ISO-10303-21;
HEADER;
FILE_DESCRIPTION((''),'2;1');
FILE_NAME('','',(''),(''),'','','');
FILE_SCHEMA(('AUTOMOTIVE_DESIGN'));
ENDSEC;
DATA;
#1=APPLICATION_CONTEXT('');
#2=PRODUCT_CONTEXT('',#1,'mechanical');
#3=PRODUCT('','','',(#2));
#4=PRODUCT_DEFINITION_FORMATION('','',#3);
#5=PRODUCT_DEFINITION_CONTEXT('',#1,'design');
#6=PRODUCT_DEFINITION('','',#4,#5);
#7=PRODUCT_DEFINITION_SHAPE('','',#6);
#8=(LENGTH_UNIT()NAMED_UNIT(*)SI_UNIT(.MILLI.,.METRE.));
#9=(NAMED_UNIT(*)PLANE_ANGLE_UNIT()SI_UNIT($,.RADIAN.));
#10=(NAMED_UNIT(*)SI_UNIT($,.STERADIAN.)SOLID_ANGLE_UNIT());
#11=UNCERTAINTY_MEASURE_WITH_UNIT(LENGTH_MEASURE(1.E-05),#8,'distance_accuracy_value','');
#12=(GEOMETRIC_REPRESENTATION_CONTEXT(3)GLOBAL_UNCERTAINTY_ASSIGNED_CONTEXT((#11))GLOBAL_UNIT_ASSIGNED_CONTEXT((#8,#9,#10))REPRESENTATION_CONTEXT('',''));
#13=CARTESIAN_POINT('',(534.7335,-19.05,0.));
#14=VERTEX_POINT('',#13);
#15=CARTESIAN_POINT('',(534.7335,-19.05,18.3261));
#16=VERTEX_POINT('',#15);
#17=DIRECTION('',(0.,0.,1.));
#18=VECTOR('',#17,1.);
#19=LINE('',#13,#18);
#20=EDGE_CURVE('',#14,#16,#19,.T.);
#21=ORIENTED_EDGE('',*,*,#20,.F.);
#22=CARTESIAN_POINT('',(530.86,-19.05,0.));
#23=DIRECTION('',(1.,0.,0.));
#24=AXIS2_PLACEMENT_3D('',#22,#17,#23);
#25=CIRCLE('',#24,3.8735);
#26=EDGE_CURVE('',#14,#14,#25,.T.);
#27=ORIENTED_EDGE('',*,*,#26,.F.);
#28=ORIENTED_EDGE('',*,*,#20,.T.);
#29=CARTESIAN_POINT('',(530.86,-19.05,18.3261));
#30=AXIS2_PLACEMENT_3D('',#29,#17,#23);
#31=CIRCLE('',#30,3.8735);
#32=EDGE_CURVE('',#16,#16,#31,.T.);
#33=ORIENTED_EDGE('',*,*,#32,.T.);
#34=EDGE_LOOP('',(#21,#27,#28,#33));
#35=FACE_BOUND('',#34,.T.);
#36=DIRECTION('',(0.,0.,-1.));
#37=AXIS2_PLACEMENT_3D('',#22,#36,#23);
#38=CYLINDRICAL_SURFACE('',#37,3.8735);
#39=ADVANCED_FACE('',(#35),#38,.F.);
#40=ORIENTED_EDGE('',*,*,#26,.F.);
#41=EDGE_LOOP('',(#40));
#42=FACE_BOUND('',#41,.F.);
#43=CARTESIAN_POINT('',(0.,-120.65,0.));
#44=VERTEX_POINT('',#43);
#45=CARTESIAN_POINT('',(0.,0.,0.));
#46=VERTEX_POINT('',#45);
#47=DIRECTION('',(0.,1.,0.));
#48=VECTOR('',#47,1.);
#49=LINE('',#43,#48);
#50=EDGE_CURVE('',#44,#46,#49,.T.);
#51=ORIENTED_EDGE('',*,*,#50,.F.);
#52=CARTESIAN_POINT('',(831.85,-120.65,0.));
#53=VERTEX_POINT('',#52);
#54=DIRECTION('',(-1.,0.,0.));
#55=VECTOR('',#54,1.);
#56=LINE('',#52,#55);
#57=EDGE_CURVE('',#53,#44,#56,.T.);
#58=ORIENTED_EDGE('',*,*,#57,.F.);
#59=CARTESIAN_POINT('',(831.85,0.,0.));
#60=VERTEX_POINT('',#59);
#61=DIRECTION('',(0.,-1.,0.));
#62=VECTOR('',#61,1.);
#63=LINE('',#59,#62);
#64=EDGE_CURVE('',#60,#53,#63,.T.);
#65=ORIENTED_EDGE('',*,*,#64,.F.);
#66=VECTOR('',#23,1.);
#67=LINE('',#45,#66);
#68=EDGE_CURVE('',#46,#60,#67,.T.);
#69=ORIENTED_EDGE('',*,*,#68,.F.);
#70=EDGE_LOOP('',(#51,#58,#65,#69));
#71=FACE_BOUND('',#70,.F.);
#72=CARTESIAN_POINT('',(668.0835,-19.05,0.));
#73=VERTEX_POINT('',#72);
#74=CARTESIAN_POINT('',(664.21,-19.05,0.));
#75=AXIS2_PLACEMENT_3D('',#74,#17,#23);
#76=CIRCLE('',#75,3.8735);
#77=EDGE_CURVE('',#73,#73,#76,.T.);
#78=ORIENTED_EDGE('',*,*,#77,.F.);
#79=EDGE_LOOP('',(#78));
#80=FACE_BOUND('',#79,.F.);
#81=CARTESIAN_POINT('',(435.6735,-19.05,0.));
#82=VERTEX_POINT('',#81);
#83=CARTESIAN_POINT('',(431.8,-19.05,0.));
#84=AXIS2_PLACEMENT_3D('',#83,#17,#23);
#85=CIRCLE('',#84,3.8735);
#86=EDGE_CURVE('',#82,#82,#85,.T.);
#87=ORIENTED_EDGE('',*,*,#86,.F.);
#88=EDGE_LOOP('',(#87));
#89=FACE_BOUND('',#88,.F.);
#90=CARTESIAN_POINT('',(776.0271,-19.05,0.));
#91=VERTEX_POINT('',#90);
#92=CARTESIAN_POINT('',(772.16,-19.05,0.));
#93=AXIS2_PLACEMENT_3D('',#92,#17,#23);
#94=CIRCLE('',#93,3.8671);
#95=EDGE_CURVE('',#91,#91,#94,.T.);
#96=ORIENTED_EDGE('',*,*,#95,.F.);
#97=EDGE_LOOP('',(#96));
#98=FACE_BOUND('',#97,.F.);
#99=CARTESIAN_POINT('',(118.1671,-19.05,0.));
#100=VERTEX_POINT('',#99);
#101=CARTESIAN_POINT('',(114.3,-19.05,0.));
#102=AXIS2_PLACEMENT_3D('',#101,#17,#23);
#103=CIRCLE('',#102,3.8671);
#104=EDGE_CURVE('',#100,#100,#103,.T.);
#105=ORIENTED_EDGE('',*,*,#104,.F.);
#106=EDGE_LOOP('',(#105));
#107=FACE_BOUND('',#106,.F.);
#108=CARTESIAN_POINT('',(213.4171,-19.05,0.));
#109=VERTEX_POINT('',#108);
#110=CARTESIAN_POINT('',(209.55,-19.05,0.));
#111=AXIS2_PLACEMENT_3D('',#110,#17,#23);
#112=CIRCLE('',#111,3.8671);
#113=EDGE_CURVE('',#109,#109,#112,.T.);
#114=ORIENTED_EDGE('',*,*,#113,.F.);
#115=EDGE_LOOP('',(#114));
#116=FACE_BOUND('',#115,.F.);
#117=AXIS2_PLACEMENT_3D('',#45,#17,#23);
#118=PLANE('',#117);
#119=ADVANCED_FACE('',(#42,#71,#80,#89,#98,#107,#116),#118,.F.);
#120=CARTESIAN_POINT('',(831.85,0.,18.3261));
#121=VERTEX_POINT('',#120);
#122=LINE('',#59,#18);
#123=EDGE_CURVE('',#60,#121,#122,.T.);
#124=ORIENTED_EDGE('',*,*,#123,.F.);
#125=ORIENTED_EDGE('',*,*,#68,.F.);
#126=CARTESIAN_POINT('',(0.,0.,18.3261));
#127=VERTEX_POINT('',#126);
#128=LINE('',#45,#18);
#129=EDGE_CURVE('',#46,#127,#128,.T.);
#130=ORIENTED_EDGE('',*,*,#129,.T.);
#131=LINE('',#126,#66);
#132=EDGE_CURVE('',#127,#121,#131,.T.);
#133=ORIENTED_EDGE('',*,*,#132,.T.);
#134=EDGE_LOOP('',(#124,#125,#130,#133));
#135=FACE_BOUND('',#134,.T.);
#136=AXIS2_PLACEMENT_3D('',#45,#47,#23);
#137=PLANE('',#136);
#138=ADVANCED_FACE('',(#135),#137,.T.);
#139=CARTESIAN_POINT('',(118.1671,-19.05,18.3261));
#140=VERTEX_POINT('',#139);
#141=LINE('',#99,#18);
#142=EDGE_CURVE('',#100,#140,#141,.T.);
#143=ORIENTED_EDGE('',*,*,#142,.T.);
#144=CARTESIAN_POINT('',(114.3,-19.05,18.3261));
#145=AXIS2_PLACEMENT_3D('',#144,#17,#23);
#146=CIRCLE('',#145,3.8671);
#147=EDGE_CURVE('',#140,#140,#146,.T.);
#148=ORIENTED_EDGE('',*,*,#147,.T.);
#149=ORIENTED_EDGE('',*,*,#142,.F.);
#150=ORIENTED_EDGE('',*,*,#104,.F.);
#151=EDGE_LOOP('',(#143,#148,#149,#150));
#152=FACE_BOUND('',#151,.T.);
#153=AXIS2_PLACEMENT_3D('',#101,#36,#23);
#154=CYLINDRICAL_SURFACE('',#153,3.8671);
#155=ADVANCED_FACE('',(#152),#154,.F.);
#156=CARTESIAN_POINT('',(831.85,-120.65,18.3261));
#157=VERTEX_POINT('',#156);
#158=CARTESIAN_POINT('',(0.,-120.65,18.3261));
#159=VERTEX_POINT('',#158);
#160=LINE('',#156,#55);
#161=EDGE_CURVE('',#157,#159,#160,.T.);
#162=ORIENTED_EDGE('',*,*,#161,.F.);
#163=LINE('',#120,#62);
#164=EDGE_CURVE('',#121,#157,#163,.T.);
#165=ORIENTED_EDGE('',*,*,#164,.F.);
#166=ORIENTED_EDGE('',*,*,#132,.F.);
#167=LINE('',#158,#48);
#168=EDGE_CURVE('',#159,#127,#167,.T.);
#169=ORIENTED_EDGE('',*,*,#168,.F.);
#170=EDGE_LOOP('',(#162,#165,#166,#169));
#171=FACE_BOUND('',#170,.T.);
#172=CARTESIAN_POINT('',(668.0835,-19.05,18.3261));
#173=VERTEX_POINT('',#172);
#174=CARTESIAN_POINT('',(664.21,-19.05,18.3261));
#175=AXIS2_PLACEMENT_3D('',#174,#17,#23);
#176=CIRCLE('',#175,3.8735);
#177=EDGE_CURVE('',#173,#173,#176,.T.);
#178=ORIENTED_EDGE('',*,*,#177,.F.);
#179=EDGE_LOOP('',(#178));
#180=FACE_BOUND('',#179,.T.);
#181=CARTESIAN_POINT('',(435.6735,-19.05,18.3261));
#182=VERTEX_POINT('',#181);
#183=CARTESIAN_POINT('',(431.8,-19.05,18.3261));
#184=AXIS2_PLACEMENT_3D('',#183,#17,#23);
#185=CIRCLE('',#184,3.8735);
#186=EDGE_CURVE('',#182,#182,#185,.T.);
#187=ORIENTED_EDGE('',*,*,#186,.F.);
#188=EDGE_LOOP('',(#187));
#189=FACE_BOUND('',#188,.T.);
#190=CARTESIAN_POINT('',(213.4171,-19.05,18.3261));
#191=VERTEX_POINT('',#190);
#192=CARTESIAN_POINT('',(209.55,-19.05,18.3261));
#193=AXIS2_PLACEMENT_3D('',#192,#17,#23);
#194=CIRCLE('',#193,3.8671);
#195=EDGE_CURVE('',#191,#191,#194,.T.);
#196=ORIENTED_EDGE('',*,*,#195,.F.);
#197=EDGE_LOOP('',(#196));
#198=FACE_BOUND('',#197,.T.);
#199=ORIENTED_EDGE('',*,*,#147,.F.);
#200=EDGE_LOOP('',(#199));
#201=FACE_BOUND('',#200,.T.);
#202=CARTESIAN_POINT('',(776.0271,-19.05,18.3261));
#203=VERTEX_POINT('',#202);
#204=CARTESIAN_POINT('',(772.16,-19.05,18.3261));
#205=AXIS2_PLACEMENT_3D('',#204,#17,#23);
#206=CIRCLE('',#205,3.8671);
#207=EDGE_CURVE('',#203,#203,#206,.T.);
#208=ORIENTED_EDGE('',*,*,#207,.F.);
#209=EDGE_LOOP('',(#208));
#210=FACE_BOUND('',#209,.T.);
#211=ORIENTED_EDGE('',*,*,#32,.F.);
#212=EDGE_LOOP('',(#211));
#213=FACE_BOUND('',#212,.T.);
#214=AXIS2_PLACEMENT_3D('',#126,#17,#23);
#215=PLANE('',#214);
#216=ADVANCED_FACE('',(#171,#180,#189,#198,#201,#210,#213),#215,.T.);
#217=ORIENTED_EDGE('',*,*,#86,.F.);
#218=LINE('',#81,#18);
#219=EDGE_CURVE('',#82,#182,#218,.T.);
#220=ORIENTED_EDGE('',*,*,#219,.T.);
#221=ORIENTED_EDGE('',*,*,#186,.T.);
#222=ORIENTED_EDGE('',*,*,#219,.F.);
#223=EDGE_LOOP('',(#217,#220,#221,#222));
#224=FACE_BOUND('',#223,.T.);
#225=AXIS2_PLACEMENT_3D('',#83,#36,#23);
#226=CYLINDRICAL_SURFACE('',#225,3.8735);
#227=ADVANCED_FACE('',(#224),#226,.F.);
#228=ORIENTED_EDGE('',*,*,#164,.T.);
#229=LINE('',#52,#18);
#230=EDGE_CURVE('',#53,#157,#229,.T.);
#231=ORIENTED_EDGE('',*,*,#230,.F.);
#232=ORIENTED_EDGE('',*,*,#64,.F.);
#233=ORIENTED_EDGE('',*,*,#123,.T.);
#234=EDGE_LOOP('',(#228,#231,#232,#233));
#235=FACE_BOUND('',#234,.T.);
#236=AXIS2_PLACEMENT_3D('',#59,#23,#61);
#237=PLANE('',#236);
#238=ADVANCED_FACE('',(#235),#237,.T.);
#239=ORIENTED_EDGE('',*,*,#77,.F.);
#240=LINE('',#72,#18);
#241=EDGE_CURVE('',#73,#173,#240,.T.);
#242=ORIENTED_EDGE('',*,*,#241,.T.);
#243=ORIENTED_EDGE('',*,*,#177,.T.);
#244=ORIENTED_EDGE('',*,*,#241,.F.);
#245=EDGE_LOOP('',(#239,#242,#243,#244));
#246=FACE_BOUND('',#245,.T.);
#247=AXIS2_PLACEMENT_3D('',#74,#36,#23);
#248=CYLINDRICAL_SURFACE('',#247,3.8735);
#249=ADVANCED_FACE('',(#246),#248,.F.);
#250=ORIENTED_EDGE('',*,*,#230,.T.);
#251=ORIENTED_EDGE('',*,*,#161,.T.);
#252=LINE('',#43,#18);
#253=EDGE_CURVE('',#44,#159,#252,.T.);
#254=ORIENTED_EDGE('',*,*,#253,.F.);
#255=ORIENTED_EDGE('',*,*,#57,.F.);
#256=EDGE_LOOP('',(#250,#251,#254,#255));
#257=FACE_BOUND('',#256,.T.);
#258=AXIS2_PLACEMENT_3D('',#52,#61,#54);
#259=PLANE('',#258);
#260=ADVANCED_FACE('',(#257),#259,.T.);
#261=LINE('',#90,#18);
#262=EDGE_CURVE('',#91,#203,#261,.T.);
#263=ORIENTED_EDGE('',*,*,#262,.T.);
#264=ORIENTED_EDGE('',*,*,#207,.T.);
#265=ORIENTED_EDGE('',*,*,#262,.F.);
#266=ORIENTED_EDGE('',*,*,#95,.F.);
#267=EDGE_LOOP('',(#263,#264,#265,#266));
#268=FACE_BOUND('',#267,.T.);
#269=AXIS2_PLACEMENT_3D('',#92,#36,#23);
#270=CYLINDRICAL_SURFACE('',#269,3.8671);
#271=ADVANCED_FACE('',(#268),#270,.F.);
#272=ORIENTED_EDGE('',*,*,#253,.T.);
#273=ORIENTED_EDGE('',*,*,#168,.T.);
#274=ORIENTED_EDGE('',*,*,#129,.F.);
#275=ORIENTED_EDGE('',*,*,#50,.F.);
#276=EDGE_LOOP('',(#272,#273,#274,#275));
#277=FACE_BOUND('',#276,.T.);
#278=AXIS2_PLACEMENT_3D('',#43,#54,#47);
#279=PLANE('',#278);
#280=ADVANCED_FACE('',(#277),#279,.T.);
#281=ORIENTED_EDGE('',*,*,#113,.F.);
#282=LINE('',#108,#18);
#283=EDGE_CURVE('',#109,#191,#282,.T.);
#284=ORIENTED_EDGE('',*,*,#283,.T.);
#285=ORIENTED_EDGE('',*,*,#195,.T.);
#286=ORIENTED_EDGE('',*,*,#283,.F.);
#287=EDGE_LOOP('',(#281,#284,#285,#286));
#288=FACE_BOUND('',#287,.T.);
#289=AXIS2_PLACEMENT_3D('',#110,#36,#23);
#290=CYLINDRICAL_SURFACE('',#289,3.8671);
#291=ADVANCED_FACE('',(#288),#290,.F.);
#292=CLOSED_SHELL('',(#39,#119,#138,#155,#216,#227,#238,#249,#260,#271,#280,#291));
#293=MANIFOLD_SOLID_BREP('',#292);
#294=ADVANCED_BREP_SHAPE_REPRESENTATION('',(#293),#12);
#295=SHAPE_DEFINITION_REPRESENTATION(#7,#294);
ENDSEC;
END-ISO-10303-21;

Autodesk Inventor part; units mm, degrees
ref_plane "YZ Plane" through (0, 0, 0) normal (1, 0, 0) x (0, 1, 0)
ref_plane "XZ Plane" through (0, 0, 0) normal (0, 1, 0) x (-1, 0, 0)
ref_plane "XY Plane" through (0, 0, 0) normal (0, 0, 1) x (1, 0, 0)
sketch "Sketch1" plane through (0, 0, 0) normal (0, 0, 1) x (1, 0, 0)
  line L0 (0, 0) -> (831.85, 0)
  line L1 (831.85, 0) -> (831.85, -120.65)
  line L2 (831.85, -120.65) -> (0, -120.65)
  line L3 (0, -120.65) -> (0, 0)
  circle A0 centre (114.3, -19.05) radius 3.8671
  circle A1 centre (209.55, -19.05) radius 3.8671
  circle A2 centre (431.8, -19.05) radius 3.8735
  circle A3 centre (530.86, -19.05) radius 3.8735
  circle A4 centre (664.21, -19.05) radius 3.8735
  circle A5 centre (772.16, -19.05) radius 3.8671
  dimension "d0" = 831.85
  dimension "d1" = 120.65
  dimension "d2" = 101.6
  dimension "d3" = 7.7343
  dimension "d4" = 114.3
  dimension "d5" = 7.7343
  dimension "d6" = 95.25
  dimension "d7" = 7.747
  dimension "d9" = 101.6
  dimension "d10" = 222.25
  dimension "d11" = 7.747
  dimension "d12" = 101.6
  dimension "d13" = 99.06
  dimension "d14" = 7.747
  dimension "d15" = 101.6
  dimension "d16" = 133.35
  dimension "d17" = 7.7343
  dimension "d18" = 107.95
extrude "Extrusion1" add sketch "Sketch1" along normal blind 18.3261
properties part number "Kermit bumper (midlde 3)"
